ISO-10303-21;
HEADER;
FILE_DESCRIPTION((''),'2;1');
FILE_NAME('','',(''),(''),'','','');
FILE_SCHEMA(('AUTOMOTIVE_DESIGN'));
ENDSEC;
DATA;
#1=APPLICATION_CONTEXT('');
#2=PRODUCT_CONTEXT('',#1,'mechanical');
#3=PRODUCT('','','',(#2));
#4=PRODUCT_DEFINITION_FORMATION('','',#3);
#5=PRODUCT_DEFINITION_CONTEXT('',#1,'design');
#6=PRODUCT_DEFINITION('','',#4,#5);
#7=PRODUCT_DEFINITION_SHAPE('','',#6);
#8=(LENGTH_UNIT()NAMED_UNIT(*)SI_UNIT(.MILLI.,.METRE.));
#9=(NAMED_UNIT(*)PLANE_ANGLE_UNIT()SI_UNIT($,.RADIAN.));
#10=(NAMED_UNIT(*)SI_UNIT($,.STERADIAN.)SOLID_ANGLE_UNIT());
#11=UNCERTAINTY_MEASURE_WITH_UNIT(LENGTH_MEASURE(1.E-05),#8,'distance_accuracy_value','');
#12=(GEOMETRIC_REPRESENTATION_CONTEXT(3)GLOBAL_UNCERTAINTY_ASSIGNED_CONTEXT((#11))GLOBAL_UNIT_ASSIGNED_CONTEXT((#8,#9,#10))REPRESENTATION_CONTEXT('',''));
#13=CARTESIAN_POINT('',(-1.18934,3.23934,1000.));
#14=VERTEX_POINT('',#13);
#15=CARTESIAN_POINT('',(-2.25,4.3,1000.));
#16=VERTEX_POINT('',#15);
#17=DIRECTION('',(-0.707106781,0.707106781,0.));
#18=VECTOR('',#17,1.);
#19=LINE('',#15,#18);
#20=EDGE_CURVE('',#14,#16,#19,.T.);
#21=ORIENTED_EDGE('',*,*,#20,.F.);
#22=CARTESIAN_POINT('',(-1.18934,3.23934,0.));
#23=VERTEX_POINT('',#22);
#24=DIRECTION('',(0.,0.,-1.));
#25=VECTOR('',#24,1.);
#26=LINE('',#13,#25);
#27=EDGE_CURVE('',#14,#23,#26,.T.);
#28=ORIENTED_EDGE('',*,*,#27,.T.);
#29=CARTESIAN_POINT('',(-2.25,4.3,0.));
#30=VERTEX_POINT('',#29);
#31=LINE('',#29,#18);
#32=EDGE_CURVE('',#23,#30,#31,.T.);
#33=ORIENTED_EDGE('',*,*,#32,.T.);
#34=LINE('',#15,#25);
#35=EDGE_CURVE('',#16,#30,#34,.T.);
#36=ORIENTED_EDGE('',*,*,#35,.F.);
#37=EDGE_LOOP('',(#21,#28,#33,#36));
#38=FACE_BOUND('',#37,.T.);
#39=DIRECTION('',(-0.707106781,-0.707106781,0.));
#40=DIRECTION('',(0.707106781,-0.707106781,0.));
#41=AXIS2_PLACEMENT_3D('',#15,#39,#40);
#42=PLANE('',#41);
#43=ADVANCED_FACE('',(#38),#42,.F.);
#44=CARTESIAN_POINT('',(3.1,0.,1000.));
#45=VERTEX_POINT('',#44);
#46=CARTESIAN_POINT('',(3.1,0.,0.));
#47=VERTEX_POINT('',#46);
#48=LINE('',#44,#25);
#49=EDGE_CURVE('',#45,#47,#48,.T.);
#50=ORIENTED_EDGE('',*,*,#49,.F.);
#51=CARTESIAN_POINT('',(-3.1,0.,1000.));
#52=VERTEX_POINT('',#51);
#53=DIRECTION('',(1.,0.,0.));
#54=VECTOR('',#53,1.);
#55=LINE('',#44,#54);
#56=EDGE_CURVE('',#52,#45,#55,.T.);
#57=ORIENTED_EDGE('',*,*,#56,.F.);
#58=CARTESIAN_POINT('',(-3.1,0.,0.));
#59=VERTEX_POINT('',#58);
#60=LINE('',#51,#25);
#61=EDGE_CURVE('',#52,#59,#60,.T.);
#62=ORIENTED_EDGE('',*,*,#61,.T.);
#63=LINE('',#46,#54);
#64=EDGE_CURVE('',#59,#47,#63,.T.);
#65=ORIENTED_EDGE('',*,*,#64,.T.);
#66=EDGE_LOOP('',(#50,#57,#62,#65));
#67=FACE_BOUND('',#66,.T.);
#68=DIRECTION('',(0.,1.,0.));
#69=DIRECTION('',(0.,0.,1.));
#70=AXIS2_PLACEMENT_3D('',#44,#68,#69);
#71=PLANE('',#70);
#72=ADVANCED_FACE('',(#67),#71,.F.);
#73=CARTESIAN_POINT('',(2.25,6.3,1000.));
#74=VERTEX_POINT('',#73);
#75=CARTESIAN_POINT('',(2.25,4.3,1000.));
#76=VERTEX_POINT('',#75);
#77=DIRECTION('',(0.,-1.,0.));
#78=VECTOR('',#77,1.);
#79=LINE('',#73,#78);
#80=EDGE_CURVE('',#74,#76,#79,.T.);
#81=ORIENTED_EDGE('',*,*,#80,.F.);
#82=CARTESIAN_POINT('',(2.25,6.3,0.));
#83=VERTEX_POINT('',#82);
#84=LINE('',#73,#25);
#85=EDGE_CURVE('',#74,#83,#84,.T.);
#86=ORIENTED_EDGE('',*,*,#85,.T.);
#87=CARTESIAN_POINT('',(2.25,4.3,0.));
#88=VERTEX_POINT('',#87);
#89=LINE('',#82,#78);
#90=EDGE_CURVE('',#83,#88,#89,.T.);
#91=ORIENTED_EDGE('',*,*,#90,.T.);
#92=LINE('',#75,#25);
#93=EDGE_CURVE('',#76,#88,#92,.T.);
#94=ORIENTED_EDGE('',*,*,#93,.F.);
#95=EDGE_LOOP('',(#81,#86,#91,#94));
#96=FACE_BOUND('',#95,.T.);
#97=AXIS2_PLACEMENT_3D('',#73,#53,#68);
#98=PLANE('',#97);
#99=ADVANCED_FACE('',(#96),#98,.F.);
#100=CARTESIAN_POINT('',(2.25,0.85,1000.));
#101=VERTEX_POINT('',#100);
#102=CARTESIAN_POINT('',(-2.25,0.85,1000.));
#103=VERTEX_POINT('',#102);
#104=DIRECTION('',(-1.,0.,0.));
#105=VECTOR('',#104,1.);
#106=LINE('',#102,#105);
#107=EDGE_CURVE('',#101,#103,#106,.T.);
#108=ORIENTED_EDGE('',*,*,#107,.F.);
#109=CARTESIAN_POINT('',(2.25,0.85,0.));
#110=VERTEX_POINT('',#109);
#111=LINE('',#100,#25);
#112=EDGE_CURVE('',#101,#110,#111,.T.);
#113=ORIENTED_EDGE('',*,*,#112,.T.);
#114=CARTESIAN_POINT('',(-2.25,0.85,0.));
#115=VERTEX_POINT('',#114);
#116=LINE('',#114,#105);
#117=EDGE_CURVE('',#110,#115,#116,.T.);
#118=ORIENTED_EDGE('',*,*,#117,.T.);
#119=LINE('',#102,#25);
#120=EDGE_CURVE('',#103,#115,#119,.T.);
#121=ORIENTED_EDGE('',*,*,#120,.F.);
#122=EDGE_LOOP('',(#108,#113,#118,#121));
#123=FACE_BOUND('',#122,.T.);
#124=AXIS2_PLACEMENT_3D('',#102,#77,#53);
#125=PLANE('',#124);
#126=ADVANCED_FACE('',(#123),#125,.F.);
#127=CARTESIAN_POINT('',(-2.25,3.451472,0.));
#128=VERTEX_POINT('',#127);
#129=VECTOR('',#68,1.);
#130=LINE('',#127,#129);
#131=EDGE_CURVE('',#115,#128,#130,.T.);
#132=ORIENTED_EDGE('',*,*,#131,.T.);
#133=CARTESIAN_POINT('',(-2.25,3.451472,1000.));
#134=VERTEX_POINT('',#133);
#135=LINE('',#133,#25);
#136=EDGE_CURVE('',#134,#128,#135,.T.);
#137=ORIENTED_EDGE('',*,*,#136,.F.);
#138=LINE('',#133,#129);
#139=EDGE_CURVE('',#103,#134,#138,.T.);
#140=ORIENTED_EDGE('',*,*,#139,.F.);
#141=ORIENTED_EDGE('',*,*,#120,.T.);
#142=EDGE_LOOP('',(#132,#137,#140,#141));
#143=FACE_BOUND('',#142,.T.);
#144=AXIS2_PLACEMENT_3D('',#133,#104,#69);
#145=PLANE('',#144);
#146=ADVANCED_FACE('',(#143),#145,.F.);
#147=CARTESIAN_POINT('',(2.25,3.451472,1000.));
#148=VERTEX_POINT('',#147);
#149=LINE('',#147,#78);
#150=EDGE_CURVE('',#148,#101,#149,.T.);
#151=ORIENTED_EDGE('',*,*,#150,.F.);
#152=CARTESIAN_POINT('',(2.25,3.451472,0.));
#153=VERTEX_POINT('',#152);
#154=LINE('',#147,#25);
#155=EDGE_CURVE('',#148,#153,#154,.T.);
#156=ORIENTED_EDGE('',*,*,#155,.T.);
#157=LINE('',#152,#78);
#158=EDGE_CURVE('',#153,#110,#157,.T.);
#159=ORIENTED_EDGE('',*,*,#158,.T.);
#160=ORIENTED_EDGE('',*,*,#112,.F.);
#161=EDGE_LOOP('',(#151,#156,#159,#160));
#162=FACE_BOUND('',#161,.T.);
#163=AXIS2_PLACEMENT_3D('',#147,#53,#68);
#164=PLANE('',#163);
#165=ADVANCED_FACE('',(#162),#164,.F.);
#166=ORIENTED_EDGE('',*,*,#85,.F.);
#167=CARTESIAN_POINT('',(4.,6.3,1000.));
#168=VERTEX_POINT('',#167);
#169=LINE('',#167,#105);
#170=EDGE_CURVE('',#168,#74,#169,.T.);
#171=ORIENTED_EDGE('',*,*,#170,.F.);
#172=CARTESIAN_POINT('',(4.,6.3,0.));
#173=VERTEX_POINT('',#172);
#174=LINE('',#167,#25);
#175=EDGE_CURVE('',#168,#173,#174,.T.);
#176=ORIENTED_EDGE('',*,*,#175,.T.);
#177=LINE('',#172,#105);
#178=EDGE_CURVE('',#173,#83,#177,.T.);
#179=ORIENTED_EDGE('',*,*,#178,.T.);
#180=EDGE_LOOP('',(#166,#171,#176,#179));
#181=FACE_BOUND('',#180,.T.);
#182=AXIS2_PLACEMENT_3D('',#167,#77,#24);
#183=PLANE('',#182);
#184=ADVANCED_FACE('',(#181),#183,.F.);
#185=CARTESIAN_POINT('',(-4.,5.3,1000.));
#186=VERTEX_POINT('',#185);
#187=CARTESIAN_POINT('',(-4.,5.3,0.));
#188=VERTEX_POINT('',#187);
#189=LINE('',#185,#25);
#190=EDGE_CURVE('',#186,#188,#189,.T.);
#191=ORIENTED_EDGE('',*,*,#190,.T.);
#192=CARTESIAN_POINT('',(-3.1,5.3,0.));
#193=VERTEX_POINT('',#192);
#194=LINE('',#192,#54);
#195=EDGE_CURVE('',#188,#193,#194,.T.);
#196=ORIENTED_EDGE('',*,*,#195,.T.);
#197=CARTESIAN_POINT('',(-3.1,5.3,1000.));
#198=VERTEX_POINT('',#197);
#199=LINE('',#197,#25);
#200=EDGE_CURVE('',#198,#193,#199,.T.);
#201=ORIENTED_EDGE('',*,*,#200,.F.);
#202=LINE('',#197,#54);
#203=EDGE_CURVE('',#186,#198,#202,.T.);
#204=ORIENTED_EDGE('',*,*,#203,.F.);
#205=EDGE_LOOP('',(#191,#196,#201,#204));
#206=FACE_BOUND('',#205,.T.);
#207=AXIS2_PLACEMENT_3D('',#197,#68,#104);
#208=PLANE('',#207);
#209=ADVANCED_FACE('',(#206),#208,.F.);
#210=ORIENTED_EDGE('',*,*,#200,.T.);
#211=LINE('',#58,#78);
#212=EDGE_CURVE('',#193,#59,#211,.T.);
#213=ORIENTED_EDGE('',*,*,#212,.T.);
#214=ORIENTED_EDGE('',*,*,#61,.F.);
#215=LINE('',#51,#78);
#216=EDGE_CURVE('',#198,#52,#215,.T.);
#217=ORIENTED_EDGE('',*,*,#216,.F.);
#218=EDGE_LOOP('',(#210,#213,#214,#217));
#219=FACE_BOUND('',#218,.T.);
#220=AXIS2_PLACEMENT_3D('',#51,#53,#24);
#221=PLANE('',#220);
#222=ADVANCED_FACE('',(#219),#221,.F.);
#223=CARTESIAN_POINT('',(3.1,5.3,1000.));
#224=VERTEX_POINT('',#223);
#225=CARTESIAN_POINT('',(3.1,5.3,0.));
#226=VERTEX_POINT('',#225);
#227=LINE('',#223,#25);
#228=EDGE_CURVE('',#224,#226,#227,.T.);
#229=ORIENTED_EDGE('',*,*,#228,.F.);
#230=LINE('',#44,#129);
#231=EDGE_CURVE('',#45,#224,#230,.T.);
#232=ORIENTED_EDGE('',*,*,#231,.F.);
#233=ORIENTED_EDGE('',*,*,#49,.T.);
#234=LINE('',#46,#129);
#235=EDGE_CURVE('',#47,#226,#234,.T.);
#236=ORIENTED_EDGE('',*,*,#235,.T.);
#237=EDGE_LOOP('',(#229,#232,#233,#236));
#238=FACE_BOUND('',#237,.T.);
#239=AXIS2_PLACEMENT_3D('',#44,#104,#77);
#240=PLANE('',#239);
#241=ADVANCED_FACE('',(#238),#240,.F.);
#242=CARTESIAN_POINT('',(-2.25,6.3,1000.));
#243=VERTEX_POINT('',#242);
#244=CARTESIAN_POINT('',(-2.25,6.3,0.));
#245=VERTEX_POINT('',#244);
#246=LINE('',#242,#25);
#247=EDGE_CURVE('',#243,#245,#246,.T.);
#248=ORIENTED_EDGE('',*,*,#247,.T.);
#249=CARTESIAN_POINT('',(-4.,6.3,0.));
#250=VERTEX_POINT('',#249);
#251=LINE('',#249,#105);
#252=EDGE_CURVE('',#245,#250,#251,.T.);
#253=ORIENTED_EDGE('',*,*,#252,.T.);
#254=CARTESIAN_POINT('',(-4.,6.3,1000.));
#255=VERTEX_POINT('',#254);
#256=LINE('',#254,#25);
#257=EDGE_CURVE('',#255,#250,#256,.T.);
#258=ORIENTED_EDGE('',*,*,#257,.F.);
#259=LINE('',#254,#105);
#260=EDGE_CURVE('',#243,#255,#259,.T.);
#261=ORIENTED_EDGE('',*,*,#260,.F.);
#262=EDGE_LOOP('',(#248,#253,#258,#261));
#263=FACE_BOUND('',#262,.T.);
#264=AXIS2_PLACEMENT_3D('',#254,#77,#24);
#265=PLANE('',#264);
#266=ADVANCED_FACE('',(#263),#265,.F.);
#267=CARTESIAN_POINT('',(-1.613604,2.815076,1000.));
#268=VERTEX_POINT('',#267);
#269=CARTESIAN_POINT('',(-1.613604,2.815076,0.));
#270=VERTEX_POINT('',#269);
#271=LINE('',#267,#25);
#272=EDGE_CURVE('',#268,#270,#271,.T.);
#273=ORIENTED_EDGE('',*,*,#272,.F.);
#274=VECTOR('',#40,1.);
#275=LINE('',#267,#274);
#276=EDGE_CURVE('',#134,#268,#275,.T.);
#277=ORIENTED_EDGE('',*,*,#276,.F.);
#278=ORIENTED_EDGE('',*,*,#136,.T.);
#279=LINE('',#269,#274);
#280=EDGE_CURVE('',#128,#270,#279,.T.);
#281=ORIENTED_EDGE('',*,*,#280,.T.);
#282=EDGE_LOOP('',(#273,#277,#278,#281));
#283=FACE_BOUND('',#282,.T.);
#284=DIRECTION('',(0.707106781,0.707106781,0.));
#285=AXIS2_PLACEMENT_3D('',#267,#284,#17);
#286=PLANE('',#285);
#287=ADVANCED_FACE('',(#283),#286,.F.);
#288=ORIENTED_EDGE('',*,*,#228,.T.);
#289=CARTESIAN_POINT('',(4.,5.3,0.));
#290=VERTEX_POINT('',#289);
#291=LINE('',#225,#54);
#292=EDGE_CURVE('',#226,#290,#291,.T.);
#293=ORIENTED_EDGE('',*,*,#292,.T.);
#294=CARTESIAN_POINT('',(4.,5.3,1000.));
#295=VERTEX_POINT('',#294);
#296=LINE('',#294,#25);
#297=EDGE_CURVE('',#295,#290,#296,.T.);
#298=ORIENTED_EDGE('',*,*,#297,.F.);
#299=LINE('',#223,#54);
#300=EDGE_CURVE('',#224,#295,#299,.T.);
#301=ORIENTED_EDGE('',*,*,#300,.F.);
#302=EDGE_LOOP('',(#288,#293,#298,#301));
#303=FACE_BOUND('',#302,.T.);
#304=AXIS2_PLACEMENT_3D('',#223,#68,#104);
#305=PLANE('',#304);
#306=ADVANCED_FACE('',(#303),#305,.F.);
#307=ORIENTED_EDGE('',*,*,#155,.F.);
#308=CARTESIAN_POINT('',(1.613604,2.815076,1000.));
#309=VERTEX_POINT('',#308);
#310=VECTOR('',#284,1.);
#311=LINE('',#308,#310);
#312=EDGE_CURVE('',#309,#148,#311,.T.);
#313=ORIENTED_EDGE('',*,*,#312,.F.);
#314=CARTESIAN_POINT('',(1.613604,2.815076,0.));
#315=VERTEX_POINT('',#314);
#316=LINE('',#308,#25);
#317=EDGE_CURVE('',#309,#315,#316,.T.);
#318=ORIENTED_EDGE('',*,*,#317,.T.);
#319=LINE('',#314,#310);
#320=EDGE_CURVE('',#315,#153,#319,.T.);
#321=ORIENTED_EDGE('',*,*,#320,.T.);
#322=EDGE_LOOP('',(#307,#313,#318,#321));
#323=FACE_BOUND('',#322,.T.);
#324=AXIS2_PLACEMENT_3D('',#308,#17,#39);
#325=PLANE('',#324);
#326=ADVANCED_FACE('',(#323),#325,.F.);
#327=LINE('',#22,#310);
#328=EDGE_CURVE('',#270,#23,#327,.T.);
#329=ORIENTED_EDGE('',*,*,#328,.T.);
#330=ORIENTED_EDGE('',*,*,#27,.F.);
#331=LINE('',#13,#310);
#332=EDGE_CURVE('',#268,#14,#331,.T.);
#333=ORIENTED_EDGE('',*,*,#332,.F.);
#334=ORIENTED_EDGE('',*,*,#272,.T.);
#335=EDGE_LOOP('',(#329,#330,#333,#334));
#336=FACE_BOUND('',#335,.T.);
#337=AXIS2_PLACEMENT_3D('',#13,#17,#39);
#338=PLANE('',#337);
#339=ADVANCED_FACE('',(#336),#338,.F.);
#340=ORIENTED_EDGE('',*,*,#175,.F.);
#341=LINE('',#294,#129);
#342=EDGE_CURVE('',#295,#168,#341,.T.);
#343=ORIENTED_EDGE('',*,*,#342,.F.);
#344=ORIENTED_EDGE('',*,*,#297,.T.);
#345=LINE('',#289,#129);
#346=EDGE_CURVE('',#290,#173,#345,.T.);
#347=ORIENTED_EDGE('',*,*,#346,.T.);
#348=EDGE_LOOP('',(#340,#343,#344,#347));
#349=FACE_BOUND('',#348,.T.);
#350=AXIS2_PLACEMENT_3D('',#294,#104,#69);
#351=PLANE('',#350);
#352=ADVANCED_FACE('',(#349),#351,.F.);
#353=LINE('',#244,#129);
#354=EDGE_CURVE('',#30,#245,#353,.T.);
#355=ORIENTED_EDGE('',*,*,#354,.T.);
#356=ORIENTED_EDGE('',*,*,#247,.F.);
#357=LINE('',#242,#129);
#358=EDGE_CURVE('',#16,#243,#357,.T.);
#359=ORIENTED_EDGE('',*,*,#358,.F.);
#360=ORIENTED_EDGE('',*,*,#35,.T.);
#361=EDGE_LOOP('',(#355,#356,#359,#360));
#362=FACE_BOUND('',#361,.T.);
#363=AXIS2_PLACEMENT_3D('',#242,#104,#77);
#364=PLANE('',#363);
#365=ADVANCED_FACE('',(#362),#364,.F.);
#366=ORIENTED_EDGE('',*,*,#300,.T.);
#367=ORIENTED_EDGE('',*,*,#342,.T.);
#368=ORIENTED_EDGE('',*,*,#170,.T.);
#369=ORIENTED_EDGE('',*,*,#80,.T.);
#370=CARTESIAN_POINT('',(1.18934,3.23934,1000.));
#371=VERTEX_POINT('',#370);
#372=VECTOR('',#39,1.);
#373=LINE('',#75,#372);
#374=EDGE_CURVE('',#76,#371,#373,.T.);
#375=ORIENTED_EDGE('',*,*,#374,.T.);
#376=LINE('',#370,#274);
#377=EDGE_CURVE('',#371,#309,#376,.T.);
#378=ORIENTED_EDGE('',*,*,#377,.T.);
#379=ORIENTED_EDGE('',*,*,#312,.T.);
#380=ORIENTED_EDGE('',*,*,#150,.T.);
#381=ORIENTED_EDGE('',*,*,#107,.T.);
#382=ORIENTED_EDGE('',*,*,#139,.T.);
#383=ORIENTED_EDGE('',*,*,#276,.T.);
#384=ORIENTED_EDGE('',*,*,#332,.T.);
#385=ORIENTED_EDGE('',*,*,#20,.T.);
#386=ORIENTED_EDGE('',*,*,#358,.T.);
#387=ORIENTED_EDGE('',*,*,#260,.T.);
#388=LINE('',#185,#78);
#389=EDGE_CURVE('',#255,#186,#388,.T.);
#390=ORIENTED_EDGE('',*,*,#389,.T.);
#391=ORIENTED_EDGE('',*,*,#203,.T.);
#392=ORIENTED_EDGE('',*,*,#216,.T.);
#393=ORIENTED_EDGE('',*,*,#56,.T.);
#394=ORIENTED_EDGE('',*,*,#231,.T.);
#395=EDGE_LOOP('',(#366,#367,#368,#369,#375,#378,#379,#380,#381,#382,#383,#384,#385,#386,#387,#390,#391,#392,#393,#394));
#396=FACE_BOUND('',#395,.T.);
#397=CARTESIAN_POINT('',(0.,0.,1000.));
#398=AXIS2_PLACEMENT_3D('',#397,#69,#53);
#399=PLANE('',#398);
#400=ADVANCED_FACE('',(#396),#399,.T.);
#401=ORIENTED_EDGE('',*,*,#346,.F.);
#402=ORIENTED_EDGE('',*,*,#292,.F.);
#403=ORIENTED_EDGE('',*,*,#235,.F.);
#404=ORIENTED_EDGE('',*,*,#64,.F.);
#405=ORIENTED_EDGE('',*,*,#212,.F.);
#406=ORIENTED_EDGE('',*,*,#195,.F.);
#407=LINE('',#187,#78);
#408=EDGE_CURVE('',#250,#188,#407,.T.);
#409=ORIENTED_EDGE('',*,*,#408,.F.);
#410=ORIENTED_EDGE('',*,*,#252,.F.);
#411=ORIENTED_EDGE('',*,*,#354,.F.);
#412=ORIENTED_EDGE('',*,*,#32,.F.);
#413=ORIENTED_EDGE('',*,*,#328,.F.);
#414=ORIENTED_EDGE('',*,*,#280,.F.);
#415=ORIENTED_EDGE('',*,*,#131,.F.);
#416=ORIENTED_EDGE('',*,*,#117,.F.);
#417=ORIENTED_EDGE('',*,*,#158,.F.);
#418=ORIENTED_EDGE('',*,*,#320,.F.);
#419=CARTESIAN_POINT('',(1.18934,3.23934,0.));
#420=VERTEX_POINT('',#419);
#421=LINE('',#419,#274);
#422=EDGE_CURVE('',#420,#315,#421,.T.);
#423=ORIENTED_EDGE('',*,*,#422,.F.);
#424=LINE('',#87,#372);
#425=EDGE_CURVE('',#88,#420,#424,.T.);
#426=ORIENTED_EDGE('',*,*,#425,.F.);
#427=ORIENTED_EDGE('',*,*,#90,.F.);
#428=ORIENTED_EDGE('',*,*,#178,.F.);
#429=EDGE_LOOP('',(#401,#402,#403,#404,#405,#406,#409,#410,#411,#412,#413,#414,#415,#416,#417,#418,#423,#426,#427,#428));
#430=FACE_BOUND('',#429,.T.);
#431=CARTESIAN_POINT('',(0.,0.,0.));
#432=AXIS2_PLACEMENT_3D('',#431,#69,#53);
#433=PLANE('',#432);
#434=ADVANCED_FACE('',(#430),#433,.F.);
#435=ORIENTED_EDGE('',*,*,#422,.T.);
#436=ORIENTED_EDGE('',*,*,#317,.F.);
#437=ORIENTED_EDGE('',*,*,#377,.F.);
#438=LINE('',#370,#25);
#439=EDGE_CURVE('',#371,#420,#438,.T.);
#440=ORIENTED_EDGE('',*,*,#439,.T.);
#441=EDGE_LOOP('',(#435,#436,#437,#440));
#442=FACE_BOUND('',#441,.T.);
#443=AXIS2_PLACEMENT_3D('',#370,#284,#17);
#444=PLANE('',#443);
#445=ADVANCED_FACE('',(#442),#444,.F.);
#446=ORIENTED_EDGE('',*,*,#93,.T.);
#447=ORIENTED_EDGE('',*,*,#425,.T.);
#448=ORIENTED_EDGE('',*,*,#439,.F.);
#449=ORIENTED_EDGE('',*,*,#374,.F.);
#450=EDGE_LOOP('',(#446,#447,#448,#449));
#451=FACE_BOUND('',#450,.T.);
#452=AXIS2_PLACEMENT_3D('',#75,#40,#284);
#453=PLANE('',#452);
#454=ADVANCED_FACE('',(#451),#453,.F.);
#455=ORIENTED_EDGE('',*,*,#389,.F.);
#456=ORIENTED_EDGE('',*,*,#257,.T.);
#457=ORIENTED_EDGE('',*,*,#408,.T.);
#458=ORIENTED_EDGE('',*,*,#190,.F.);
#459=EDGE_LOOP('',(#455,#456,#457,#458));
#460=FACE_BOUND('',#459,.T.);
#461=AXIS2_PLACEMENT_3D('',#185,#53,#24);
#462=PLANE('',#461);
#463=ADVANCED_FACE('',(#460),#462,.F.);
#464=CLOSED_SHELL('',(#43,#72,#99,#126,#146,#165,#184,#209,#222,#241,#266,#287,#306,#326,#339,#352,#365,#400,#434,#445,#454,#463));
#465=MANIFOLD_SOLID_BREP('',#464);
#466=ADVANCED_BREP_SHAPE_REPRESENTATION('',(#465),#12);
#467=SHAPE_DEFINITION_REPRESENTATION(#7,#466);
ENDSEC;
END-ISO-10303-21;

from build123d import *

# Parameters (mm, degrees)
EXTRUDE_1_DEPTH = 1000


with BuildPart() as part:
    # Эскиз1 → Бобышка-Вытянуть1 (new body)
    with BuildSketch(Plane.XY):
        Polygon((3.1, 0), (-3.1, 0), (-3.1, 5.3), (-4, 5.3), (-4, 6.3), (-2.25, 6.3), (-2.25, 4.3), (-1.189339828, 3.239339828), (-1.613603897, 2.81507576), (-2.25, 3.451471863), (-2.25, 0.85), (2.25, 0.85), (2.25, 3.451471863), (1.613603897, 2.81507576), (1.189339828, 3.239339828), (2.25, 4.3), (2.25, 6.3), (4, 6.3), (4, 5.3), (3.1, 5.3), align=None)
    extrude(amount=EXTRUDE_1_DEPTH)


solid = part.part
